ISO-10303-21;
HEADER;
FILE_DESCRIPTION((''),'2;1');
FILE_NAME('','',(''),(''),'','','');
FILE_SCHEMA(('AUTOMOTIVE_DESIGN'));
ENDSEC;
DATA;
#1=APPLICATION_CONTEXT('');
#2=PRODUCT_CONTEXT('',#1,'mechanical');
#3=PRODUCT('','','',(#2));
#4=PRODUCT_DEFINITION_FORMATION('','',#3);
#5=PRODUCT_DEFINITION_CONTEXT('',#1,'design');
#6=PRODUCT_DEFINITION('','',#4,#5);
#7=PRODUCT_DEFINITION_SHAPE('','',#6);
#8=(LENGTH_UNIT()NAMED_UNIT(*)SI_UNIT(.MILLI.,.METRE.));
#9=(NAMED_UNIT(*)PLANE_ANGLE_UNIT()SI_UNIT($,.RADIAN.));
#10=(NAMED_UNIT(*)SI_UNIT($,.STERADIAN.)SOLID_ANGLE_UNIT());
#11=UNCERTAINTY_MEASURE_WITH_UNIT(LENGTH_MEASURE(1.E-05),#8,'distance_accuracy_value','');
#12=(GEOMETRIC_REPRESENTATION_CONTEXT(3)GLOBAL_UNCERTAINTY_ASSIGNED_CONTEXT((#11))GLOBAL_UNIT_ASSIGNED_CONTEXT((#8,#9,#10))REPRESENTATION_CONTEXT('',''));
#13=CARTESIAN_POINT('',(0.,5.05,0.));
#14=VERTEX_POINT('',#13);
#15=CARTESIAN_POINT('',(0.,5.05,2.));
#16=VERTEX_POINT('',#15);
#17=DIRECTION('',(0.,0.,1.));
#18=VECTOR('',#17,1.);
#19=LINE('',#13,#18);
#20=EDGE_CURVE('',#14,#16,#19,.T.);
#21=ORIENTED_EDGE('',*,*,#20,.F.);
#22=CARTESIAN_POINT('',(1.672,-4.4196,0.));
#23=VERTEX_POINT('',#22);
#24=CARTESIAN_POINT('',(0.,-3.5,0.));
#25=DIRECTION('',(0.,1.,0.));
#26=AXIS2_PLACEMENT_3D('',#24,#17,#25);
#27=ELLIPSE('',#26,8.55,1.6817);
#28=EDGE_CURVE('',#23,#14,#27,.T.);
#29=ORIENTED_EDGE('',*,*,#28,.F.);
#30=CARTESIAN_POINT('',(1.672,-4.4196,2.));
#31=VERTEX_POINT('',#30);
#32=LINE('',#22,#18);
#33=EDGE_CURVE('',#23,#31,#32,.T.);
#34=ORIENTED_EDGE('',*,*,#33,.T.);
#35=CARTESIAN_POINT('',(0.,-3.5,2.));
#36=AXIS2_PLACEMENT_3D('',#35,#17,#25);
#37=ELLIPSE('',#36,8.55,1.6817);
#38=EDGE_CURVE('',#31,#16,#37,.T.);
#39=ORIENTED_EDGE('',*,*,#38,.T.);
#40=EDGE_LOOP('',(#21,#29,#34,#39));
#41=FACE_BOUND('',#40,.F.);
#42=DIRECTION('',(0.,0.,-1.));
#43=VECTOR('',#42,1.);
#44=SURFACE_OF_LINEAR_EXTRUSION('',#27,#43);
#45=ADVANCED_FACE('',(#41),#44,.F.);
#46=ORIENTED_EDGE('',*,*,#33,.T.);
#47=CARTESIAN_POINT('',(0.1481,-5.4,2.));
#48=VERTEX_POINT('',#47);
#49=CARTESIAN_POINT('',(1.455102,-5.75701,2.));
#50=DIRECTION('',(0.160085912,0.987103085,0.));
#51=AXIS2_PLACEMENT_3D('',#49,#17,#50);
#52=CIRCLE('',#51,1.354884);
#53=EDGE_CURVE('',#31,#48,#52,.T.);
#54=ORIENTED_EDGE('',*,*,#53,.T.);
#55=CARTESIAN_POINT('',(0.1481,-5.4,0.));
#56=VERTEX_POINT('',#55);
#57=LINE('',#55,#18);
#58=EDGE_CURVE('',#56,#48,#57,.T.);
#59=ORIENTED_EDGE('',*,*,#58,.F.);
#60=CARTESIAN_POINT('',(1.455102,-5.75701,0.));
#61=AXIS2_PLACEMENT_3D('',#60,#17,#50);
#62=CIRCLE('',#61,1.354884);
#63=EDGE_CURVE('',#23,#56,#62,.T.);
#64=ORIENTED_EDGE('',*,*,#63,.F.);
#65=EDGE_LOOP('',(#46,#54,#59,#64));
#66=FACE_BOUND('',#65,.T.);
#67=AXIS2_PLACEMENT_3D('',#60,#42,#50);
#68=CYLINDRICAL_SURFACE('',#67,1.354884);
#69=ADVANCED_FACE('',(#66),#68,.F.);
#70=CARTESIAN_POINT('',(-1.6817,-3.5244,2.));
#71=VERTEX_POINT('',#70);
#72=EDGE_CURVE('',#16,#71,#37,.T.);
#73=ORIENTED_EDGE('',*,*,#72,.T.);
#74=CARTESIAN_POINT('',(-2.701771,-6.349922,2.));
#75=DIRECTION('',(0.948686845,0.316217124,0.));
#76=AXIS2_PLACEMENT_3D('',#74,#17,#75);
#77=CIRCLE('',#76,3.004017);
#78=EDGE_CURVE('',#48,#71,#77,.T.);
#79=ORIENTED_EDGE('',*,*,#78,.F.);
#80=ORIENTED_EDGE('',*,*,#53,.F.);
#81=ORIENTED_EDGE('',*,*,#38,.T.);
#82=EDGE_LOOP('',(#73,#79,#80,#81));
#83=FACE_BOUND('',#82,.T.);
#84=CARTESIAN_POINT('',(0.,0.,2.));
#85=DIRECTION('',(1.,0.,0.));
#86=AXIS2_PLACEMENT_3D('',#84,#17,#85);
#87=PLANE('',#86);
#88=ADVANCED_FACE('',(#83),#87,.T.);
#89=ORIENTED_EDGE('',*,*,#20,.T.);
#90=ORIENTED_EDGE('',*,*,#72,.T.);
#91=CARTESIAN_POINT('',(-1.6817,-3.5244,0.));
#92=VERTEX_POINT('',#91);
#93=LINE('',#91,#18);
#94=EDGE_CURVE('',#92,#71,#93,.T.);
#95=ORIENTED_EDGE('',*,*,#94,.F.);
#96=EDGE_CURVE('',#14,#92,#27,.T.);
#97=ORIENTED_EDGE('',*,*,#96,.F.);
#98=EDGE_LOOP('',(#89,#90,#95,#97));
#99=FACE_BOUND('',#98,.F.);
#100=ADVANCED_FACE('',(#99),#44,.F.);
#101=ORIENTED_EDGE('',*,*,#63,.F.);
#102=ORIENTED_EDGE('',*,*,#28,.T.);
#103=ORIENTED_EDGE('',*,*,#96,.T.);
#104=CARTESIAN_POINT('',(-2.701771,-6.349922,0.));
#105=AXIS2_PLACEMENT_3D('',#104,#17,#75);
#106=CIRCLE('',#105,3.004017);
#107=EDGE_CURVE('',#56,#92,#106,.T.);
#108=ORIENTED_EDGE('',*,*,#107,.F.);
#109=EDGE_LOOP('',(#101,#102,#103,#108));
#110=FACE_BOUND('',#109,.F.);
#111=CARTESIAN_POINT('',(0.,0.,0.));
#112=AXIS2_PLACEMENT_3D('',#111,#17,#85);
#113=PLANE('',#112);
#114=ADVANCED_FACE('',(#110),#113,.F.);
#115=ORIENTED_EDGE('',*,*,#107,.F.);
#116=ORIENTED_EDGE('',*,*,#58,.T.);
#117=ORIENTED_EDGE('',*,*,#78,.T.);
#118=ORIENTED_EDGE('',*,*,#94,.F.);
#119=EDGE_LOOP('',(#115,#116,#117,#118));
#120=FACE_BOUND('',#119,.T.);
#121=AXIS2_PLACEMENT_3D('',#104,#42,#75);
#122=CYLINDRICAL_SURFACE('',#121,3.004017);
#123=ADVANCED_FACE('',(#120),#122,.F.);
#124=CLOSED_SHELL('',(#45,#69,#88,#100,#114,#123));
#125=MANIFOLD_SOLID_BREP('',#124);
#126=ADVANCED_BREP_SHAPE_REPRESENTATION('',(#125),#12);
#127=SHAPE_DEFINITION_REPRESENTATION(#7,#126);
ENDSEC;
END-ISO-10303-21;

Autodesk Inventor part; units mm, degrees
ref_plane "YZ Plane" through (0, 0, 0) normal (1, 0, 0) x (0, 1, 0)
ref_plane "XZ Plane" through (0, 0, 0) normal (0, 1, 0) x (-1, 0, 0)
ref_plane "XY Plane" through (0, 0, 0) normal (0, 0, 1) x (1, 0, 0)
sketch "Sketch1" plane through (0, 0, 0) normal (0, 0, 1) x (1, 0, 0)
  arc A0 (6.4959, 21) -> (2.299, 17.1188) centre (7.4005, 15.8122) ccw projected
  ellipse E0 centre (-2.4643, 17.5498) end of major axis (-7.2277, 17.9807) minor radius 4.1297 (2.1729, 16.4479) -> (2.299, 17.1188) ccw projected
  arc A1 (2.299, 17.1188) -> (2.1729, 16.4479) centre (7.4005, 15.8122) ccw projected
  ellipse E1 centre (-2.4643, 17.5498) end of major axis (2.299, 17.1188) minor radius 4.1297 (2.299, 17.1188) -> (0.0634, 21) ccw projected
  line L0 (6.4959, 21) -> (0.0634, 21) projected
  arc A2 (-52.175, 21) -> (-53.5117, 18.9611) centre (-34.8906, 8.2112) ccw projected
  spline S0 degree 3 poles (-49.4971, 17.2418) (-49.5048, 17.2128) (-49.5128, 17.184) (-49.6432, 16.7374) (-49.8472, 16.3436) (-50.3294, 15.7335) (-50.5829, 15.4969) (-51.1269, 15.1418) (-51.4116, 15.0137) (-51.9673, 14.8843) (-52.2345, 14.868) (-52.6575, 14.9302) (-52.8172, 14.9755) (-52.9676, 15.042) (-53.2518, 15.1676) (-53.5002, 15.3705) (-53.7918, 15.7598) (-53.8781, 15.9145) (-54.1029, 16.4573) (-54.156, 16.8772) (-54.0861, 17.8141) (-53.9112, 18.3281) (-53.5951, 18.8396) (-53.5544, 18.901) (-53.5117, 18.9611) knots -2.04297 -2.04297 -2.04297 -2.04297 -2.033998 -2.033998 -1.903383 -1.903383 -1.8007 -1.8007 -1.70847 -1.70847 -1.629539 -1.629539 -1.580207 -1.580207 -1.580207 -1.486994 -1.486994 -1.434286 -1.434286 -1.31073 -1.31073 -1.152429 -1.152429 -1.130329 -1.130329 -1.130329 -1.130329 projected
  arc A3 (-46.6346, 21) -> (-49.4971, 17.2418) centre (-41.7584, 14.3166) ccw projected
  line L1 (-41.39, 21) -> (-46.6346, 21) projected
  arc A4 (-41.39, 21) -> (-36.9596, 17.2029) centre (-27.9572, 32.1898) ccw projected
  arc A5 (-36.9596, 17.2029) -> (-45.9165, 9.176) centre (-33.54, 4.3762) ccw projected
  arc A6 (-45.9165, 9.176) -> (-47.7565, -7.8721) centre (-18.0941, -2.4502) ccw projected
  arc A7 (-47.7565, -7.8721) -> (-54.7696, -19.1146) centre (-36.7441, -22.5502) ccw projected
  arc A8 (-54.7696, -19.1146) -> (-41.4398, -23.3849) centre (-43.8441, -7.9502) ccw projected
  arc A9 (-41.4398, -23.3849) -> (4.1319, -32.0478) centre (-13.3233, 0.3253) ccw projected
  arc A10 (4.1319, -32.0478) -> (17.2322, -32.7375) centre (11.4815, -17.2068) ccw projected
  arc A11 (17.2322, -32.7375) -> (14.436, -22.6178) centre (2.615, -31.3303) ccw projected
  arc A12 (14.436, -22.6178) -> (17.1111, -9.0721) centre (-4.772, -11.7875) ccw projected
  arc A13 (17.1111, -9.0721) -> (10.587, 12.9757) centre (7.4005, 0.0436) ccw projected
  arc A14 (10.587, 12.9757) -> (8.214, 20) centre (7.4005, 15.8122) ccw projected
  line L2 (8.214, 20) -> (9.5933, 20) projected
  arc A15 (10.5933, 21) -> (9.5933, 20) centre (10.5933, 20) ccw projected
  line L3 (77.7564, 21) -> (10.5933, 21) projected
  line L4 (77.7564, 29.0016) -> (77.7564, 21) projected
  line L5 (-54.0197, 29.0016) -> (77.7564, 29.0016) projected
  arc A16 (-56.0197, 31.0016) -> (-54.0197, 29.0016) centre (-54.0197, 31.0016) ccw projected
  line L6 (-56.0197, 124) -> (-56.0197, 31.0016) projected
  arc A17 (-54.0197, 126) -> (-56.0197, 124) centre (-54.0197, 124) ccw projected
  line L7 (77.7564, 126) -> (-54.0197, 126) projected
  line L8 (77.7564, 134) -> (77.7564, 126) projected
  line L9 (-59.4447, 134) -> (77.7564, 134) projected
  arc A18 (-59.4447, 134) -> (-63.4447, 130) centre (-59.4447, 130) ccw projected
  line L10 (-63.4447, 25) -> (-63.4447, 130) projected
  arc A19 (-63.4447, 25) -> (-59.4447, 21) centre (-59.4447, 25) ccw projected
  line L11 (-52.175, 21) -> (-59.4447, 21) projected
  ellipse E2 centre (-3.2583, 17.5498) end of major axis (-7.6961, 17.5498) minor radius 3.9921 projected
  ellipse E3 centre (-19.8441, -1.5) end of major axis (-22.8441, -1.5) minor radius 2.4928 projected
  arc A20 (-47.0259, -9.6484) -> (-42.4147, -21.5085) centre (93.0716, 37.9945) ccw projected
  arc A21 (-52.5455, -18.26) -> (-42.4147, -21.5085) centre (-41.8746, -2.4026) ccw projected
  arc A22 (-47.0259, -9.6484) -> (-52.5455, -18.26) centre (-34.0085, -24.0666) ccw projected
  arc A23 (1.76, -4.468) -> (0.1559, -5.5) centre (1.5317, -5.8758) ccw projected
  arc A24 (0.1559, -5.5) -> (-1.7702, -3.5257) centre (-2.8441, -6.5) ccw projected
  ellipse E4 centre (0, -3.5) end of major axis (0, 5.5) minor radius 1.7702 (1.76, -4.468) -> (-1.7702, -3.5257) ccw projected
  circle A25 centre (9.1559, -7.9502) radius 2.7388 projected
  circle A26 centre (-12.8441, -6.5) radius 2.8284 projected
  arc A27 (8.3333, -31.4987) -> (14.6255, -25.6953) centre (-5.9975, -9.6484) ccw projected
  arc A28 (15.0836, -31.4172) -> (14.6255, -25.6953) centre (-3.11, -29.9947) ccw projected
  arc A29 (8.3333, -31.4987) -> (15.0836, -31.4172) centre (11.5222, -16.017) ccw projected
  ellipse E5 centre (7.4005, 16.0631) end of major axis (11.4191, 15.7872) minor radius 3.5714 projected
  ellipse E6 centre (15.612, -4.7586) end of major axis (13.0805, -4.7586) minor radius 2.1289 projected
  ellipse E7 centre (0, -3.5) end of major axis (0, 5.05) minor radius 1.6817
  arc A30 (1.672, -4.4196) -> (0.1481, -5.4) centre (1.4551, -5.757) ccw
  arc A31 (0.1481, -5.4) -> (-1.6817, -3.5244) centre (-2.7019, -6.35) ccw
  point P0 (0, 0)
  point P1 (1.672, -4.4196)
extrude "Extrusion1" add sketch "Sketch1" along normal blind 2 contours A30 A31 E7
properties part number "MouthPeach"
